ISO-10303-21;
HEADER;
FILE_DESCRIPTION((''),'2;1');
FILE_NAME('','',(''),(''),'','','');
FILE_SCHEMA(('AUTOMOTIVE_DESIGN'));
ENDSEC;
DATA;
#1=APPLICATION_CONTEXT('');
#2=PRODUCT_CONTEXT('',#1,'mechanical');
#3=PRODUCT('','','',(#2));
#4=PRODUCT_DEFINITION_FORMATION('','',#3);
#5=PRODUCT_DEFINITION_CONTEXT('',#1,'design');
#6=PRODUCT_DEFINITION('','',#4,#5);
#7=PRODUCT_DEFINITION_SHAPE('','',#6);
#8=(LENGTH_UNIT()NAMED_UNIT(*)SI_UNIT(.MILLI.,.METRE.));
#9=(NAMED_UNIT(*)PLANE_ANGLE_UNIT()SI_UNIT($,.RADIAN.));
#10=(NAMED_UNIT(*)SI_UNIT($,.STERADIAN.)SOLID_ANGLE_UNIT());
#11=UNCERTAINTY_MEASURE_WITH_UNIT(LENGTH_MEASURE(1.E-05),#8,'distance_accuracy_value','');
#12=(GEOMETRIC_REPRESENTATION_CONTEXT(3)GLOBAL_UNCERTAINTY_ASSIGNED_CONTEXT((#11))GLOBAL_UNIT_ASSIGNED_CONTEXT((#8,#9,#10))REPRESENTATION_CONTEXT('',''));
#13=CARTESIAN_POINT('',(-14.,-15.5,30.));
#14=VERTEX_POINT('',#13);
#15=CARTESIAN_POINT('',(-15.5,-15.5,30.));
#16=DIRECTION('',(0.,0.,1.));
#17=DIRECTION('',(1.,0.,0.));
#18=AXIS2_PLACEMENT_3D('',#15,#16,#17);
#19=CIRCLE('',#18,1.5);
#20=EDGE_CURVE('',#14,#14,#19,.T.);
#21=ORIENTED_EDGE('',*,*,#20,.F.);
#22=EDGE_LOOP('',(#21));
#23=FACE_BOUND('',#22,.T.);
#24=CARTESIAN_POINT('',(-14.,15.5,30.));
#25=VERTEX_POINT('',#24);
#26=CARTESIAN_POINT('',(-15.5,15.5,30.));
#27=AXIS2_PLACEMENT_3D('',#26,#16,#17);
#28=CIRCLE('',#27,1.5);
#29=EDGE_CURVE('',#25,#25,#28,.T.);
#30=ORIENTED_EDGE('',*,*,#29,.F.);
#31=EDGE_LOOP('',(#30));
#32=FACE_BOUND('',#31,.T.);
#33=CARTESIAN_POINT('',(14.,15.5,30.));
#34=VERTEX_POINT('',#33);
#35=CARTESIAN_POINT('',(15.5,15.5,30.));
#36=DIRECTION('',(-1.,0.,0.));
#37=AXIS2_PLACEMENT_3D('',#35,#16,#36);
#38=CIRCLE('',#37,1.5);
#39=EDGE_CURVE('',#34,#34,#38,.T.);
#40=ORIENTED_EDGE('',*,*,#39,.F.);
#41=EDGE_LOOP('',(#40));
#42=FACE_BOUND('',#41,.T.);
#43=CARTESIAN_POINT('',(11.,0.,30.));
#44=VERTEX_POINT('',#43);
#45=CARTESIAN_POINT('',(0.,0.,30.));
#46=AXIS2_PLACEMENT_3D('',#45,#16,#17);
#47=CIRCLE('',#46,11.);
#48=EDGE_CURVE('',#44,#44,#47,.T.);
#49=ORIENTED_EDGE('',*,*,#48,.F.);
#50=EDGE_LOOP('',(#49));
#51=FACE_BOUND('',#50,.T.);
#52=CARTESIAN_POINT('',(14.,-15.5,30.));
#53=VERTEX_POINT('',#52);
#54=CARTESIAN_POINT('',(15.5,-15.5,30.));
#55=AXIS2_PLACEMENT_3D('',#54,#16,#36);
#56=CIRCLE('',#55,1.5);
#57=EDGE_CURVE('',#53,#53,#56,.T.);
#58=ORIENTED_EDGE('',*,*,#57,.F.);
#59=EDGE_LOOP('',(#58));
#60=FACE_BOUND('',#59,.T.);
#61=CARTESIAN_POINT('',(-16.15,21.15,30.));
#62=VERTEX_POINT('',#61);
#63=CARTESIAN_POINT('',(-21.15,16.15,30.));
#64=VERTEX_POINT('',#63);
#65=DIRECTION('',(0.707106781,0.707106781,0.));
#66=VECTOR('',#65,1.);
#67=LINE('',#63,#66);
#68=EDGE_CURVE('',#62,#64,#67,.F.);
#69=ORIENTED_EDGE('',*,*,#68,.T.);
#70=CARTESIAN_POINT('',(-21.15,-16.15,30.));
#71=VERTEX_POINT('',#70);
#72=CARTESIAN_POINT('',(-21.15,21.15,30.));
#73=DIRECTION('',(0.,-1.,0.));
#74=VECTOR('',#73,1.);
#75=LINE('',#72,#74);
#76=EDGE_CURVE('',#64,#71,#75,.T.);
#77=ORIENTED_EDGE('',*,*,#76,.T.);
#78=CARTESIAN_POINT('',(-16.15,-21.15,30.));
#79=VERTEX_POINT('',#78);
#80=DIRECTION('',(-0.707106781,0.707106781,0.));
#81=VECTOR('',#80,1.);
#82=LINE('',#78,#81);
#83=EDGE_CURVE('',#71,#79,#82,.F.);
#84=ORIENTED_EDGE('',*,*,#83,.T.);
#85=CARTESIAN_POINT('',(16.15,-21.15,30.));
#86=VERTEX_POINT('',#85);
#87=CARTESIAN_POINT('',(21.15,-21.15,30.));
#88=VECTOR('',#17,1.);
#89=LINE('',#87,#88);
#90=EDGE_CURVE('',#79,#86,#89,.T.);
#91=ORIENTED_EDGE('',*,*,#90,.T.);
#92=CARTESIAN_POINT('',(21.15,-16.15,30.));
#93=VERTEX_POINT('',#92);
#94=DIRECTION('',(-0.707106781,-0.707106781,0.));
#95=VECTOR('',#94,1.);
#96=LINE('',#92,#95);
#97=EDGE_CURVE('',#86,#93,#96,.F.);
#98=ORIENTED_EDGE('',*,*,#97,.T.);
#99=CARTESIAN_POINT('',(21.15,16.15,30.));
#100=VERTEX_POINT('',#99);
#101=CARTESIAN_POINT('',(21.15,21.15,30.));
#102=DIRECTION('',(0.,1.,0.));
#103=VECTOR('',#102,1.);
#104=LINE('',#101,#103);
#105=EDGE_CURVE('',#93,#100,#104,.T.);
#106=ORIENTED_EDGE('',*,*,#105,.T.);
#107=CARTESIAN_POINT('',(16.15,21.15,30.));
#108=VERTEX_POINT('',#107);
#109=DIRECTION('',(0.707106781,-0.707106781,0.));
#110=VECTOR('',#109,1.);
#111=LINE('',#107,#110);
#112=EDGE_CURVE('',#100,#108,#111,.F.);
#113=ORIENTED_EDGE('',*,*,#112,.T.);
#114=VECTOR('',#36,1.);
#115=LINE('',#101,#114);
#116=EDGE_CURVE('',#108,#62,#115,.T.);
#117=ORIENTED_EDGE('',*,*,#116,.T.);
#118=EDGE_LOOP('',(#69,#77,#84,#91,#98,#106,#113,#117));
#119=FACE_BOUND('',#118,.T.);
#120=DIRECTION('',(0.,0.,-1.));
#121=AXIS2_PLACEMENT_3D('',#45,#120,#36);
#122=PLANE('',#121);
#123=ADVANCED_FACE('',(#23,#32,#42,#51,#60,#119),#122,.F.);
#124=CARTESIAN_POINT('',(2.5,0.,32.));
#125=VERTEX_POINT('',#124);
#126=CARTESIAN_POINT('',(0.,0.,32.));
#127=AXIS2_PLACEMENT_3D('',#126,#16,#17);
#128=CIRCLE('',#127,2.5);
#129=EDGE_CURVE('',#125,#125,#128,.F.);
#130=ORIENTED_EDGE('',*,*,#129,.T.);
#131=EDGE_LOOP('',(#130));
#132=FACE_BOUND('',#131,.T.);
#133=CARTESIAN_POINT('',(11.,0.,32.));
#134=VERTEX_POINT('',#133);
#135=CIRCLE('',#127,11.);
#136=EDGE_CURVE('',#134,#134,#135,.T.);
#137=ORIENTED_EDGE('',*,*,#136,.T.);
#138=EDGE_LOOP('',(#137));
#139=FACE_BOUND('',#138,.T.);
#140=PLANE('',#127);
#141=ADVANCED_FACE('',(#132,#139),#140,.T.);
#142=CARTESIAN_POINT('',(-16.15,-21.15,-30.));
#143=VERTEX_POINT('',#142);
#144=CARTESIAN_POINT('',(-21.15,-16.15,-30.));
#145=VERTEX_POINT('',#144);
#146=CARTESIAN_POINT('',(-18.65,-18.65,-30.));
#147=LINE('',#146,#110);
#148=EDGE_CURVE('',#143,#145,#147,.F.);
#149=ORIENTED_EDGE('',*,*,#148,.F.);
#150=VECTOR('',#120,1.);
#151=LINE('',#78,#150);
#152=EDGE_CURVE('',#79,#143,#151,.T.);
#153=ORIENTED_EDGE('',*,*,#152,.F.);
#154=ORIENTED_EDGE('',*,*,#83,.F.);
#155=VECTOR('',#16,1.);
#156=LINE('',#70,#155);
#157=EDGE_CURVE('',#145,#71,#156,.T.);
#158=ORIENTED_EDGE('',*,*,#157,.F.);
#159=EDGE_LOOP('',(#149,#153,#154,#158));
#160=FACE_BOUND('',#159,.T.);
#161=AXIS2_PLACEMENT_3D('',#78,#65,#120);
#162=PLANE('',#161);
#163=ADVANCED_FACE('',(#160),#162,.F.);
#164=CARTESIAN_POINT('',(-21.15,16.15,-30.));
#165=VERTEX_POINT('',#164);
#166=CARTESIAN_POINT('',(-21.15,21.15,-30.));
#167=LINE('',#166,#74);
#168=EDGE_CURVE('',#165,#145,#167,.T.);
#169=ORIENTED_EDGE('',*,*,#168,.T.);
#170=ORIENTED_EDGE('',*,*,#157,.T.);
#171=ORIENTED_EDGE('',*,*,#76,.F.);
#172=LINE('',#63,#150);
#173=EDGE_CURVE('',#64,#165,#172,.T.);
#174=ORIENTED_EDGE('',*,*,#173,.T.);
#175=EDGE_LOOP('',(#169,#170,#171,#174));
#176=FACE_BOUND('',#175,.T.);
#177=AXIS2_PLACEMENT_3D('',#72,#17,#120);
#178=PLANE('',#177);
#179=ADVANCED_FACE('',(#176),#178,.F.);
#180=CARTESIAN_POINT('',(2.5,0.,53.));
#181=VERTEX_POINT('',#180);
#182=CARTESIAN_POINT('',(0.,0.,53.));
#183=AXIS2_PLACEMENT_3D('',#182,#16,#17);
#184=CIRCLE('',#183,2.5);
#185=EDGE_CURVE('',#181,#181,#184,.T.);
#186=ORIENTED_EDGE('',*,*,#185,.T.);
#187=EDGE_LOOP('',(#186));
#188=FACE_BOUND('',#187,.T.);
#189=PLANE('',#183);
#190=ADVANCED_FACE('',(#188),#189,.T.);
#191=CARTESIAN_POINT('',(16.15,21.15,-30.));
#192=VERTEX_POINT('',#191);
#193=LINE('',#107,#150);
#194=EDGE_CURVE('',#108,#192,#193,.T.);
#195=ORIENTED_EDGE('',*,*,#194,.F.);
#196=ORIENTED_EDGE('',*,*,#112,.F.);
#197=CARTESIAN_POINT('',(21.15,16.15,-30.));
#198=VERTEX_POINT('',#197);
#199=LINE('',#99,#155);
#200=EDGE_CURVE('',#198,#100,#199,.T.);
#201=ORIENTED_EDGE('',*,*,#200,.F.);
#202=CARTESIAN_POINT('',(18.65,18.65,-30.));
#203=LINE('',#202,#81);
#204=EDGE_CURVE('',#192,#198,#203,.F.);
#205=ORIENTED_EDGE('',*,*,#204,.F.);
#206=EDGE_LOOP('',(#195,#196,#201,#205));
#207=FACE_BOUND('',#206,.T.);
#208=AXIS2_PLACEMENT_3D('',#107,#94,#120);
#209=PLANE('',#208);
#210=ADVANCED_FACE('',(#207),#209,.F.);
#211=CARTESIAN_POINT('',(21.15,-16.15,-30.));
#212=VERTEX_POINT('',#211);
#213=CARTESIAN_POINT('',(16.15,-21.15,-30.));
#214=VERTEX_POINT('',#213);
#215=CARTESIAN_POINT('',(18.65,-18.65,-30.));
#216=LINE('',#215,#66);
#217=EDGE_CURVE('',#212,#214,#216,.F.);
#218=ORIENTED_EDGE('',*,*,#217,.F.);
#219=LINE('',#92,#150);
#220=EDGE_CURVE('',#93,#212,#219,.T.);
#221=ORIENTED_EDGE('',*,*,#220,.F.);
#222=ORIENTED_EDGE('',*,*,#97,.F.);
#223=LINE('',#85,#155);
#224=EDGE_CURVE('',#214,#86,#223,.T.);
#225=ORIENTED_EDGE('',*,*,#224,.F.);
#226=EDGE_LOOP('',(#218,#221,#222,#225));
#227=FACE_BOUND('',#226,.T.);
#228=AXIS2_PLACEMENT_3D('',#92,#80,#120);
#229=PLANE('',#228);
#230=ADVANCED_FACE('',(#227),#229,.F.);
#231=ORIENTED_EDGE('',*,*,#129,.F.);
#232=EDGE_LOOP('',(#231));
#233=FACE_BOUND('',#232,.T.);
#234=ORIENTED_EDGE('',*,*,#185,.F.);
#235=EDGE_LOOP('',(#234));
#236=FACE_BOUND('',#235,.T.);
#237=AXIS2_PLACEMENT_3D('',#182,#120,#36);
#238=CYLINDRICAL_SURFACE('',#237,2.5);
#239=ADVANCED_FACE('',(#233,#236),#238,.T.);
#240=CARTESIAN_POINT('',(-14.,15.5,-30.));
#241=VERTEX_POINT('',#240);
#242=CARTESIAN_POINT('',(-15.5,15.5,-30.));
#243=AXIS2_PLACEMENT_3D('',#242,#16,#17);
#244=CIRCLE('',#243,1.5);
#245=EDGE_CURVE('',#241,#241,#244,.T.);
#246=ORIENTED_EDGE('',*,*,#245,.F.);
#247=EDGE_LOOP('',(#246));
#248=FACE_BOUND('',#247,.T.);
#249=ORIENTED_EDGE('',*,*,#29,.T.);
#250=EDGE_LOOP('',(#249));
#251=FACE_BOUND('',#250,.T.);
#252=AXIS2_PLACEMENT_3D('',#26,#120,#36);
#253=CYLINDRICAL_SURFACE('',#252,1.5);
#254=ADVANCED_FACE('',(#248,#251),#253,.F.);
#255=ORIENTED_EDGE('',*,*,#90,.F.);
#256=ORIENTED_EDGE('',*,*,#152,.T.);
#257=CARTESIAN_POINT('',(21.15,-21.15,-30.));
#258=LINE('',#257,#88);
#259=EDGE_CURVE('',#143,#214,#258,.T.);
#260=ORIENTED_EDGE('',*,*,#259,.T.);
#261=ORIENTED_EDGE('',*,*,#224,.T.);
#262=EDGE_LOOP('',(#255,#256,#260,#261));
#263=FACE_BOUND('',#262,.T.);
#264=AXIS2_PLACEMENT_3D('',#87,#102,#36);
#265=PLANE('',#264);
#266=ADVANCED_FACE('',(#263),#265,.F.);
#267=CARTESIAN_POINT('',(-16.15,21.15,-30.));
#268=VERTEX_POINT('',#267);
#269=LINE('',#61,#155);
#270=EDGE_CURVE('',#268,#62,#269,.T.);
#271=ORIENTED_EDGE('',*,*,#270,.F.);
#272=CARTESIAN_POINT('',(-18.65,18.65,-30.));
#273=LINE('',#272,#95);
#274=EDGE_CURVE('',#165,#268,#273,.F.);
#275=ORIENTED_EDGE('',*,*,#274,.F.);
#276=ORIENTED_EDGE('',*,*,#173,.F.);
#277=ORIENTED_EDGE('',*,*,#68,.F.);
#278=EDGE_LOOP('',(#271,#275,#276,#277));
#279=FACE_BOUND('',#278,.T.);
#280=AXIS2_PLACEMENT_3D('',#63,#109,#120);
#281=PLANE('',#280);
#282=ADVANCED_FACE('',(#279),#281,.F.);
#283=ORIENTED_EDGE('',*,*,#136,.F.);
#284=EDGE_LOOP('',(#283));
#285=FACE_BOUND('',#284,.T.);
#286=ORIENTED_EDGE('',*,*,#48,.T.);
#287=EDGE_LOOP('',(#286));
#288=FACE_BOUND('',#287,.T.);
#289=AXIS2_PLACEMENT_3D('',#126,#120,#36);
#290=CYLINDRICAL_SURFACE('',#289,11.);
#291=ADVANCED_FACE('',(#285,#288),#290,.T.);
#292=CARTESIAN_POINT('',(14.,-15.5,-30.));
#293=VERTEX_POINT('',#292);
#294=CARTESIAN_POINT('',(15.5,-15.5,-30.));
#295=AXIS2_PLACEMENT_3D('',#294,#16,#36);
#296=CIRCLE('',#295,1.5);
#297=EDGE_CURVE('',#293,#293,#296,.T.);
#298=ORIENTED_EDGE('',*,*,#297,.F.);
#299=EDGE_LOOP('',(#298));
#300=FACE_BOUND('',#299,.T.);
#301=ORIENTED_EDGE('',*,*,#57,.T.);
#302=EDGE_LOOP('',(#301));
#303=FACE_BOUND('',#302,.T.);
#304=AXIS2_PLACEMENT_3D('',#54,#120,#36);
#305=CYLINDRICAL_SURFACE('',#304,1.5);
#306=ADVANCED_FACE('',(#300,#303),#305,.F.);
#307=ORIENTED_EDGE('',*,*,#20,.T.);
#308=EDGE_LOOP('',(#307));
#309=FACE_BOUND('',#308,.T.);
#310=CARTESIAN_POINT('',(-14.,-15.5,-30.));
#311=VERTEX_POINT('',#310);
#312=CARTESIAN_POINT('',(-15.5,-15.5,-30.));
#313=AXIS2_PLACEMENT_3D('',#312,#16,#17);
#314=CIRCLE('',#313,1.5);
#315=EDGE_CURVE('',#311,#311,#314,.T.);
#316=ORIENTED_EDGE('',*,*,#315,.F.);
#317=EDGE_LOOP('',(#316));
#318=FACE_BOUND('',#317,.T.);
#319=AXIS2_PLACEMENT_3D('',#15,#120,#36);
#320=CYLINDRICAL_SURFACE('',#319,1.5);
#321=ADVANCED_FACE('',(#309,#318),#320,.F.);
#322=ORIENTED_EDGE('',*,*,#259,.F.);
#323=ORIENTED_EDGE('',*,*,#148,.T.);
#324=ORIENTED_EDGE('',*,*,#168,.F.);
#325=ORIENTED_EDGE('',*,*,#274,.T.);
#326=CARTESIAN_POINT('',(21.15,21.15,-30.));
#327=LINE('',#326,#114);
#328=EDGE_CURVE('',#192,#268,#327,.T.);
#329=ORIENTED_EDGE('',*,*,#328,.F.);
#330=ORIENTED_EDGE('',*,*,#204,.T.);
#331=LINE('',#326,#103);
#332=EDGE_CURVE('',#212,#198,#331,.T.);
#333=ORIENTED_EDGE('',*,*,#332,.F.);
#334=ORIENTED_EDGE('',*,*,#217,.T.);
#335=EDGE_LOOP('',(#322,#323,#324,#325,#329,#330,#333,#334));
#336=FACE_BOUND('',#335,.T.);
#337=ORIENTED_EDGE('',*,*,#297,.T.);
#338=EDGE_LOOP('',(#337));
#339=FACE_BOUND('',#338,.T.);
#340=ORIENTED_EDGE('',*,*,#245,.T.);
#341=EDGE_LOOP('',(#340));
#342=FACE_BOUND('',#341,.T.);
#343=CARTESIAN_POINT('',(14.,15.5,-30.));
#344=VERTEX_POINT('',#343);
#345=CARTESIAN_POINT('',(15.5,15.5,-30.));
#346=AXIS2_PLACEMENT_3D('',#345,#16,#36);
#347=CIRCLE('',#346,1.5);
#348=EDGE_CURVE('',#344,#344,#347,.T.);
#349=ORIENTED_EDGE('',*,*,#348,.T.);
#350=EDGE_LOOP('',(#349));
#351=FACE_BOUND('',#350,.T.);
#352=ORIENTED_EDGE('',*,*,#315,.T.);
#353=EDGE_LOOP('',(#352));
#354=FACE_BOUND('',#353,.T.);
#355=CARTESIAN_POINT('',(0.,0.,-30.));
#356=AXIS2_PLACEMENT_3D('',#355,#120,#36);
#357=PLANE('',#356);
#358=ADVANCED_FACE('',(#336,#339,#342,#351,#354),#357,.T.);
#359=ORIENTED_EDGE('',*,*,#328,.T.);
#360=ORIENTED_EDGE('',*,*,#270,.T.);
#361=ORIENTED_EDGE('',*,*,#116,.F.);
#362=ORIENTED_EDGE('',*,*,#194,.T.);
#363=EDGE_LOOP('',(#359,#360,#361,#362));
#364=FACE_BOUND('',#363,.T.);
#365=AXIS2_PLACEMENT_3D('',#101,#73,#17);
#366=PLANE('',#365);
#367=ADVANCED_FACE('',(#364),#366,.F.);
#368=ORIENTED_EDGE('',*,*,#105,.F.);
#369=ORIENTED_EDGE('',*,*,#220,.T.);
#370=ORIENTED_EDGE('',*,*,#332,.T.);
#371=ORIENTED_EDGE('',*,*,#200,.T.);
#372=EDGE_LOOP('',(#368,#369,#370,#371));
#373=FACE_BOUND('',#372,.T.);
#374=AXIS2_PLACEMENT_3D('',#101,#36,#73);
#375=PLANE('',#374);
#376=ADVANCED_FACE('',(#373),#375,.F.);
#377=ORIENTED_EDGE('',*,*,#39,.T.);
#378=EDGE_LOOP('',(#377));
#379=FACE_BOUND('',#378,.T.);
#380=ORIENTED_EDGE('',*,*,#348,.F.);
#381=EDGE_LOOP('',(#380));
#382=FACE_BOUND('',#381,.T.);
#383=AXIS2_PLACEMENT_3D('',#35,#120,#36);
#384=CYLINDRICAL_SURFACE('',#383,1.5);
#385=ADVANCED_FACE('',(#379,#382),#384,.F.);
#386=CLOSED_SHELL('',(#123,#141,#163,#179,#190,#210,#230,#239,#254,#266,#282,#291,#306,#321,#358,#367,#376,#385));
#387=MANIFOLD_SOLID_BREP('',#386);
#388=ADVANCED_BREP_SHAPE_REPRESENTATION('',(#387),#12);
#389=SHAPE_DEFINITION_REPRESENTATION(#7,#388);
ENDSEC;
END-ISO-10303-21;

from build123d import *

# Parameters (mm, degrees)
CROQUIS1_W              = 42.3
CROQUIS1_H              = 42.3
CROQUIS1_R              = 1.5
SALIENTE_EXTRUIR1_DEPTH = 30
CROQUIS2_R              = 11
SALIENTE_EXTRUIR2_DEPTH = 2
CROQUIS3_R              = 2.5
SALIENTE_EXTRUIR3_DEPTH = 23
CHAFL_N1_SIZE           = 5


with BuildPart() as part:
    # Croquis1 → Saliente-Extruir1 (new, symmetric)
    with BuildSketch(Plane.XY):
        Rectangle(CROQUIS1_W, CROQUIS1_H)
        with Locations((-15.5, 15.5)):
            Circle(CROQUIS1_R, mode=Mode.SUBTRACT)
        with Locations((-15.5, -15.5)):
            Circle(CROQUIS1_R, mode=Mode.SUBTRACT)
        with Locations(Location((15.5, -15.5, 0), (0, 0, 180))):
            Circle(CROQUIS1_R, mode=Mode.SUBTRACT)
        with Locations(Location((15.5, 15.5, 0), (0, 0, 180))):
            Circle(CROQUIS1_R, mode=Mode.SUBTRACT)
    extrude(amount=SALIENTE_EXTRUIR1_DEPTH, both=True)

    # Croquis2 → Saliente-Extruir2 (add)
    with BuildSketch(Plane.XY.offset(30)):
        Circle(CROQUIS2_R)
    extrude(amount=SALIENTE_EXTRUIR2_DEPTH)

    # Croquis3 → Saliente-Extruir3 (add)
    with BuildSketch(Plane.XY.offset(30)):
        Circle(CROQUIS3_R)
    extrude(amount=SALIENTE_EXTRUIR3_DEPTH)

    # Chaflán1
    chafl_n1_edges = [part.edges().sort_by_distance(p)[0] for p in [
        (-21.15, 21.15, 0),
        (21.15, 21.15, 0),
        (21.15, -21.15, 0),
        (-21.15, -21.15, 0),
    ]]
    chamfer(chafl_n1_edges, length=CHAFL_N1_SIZE)


solid = part.part
